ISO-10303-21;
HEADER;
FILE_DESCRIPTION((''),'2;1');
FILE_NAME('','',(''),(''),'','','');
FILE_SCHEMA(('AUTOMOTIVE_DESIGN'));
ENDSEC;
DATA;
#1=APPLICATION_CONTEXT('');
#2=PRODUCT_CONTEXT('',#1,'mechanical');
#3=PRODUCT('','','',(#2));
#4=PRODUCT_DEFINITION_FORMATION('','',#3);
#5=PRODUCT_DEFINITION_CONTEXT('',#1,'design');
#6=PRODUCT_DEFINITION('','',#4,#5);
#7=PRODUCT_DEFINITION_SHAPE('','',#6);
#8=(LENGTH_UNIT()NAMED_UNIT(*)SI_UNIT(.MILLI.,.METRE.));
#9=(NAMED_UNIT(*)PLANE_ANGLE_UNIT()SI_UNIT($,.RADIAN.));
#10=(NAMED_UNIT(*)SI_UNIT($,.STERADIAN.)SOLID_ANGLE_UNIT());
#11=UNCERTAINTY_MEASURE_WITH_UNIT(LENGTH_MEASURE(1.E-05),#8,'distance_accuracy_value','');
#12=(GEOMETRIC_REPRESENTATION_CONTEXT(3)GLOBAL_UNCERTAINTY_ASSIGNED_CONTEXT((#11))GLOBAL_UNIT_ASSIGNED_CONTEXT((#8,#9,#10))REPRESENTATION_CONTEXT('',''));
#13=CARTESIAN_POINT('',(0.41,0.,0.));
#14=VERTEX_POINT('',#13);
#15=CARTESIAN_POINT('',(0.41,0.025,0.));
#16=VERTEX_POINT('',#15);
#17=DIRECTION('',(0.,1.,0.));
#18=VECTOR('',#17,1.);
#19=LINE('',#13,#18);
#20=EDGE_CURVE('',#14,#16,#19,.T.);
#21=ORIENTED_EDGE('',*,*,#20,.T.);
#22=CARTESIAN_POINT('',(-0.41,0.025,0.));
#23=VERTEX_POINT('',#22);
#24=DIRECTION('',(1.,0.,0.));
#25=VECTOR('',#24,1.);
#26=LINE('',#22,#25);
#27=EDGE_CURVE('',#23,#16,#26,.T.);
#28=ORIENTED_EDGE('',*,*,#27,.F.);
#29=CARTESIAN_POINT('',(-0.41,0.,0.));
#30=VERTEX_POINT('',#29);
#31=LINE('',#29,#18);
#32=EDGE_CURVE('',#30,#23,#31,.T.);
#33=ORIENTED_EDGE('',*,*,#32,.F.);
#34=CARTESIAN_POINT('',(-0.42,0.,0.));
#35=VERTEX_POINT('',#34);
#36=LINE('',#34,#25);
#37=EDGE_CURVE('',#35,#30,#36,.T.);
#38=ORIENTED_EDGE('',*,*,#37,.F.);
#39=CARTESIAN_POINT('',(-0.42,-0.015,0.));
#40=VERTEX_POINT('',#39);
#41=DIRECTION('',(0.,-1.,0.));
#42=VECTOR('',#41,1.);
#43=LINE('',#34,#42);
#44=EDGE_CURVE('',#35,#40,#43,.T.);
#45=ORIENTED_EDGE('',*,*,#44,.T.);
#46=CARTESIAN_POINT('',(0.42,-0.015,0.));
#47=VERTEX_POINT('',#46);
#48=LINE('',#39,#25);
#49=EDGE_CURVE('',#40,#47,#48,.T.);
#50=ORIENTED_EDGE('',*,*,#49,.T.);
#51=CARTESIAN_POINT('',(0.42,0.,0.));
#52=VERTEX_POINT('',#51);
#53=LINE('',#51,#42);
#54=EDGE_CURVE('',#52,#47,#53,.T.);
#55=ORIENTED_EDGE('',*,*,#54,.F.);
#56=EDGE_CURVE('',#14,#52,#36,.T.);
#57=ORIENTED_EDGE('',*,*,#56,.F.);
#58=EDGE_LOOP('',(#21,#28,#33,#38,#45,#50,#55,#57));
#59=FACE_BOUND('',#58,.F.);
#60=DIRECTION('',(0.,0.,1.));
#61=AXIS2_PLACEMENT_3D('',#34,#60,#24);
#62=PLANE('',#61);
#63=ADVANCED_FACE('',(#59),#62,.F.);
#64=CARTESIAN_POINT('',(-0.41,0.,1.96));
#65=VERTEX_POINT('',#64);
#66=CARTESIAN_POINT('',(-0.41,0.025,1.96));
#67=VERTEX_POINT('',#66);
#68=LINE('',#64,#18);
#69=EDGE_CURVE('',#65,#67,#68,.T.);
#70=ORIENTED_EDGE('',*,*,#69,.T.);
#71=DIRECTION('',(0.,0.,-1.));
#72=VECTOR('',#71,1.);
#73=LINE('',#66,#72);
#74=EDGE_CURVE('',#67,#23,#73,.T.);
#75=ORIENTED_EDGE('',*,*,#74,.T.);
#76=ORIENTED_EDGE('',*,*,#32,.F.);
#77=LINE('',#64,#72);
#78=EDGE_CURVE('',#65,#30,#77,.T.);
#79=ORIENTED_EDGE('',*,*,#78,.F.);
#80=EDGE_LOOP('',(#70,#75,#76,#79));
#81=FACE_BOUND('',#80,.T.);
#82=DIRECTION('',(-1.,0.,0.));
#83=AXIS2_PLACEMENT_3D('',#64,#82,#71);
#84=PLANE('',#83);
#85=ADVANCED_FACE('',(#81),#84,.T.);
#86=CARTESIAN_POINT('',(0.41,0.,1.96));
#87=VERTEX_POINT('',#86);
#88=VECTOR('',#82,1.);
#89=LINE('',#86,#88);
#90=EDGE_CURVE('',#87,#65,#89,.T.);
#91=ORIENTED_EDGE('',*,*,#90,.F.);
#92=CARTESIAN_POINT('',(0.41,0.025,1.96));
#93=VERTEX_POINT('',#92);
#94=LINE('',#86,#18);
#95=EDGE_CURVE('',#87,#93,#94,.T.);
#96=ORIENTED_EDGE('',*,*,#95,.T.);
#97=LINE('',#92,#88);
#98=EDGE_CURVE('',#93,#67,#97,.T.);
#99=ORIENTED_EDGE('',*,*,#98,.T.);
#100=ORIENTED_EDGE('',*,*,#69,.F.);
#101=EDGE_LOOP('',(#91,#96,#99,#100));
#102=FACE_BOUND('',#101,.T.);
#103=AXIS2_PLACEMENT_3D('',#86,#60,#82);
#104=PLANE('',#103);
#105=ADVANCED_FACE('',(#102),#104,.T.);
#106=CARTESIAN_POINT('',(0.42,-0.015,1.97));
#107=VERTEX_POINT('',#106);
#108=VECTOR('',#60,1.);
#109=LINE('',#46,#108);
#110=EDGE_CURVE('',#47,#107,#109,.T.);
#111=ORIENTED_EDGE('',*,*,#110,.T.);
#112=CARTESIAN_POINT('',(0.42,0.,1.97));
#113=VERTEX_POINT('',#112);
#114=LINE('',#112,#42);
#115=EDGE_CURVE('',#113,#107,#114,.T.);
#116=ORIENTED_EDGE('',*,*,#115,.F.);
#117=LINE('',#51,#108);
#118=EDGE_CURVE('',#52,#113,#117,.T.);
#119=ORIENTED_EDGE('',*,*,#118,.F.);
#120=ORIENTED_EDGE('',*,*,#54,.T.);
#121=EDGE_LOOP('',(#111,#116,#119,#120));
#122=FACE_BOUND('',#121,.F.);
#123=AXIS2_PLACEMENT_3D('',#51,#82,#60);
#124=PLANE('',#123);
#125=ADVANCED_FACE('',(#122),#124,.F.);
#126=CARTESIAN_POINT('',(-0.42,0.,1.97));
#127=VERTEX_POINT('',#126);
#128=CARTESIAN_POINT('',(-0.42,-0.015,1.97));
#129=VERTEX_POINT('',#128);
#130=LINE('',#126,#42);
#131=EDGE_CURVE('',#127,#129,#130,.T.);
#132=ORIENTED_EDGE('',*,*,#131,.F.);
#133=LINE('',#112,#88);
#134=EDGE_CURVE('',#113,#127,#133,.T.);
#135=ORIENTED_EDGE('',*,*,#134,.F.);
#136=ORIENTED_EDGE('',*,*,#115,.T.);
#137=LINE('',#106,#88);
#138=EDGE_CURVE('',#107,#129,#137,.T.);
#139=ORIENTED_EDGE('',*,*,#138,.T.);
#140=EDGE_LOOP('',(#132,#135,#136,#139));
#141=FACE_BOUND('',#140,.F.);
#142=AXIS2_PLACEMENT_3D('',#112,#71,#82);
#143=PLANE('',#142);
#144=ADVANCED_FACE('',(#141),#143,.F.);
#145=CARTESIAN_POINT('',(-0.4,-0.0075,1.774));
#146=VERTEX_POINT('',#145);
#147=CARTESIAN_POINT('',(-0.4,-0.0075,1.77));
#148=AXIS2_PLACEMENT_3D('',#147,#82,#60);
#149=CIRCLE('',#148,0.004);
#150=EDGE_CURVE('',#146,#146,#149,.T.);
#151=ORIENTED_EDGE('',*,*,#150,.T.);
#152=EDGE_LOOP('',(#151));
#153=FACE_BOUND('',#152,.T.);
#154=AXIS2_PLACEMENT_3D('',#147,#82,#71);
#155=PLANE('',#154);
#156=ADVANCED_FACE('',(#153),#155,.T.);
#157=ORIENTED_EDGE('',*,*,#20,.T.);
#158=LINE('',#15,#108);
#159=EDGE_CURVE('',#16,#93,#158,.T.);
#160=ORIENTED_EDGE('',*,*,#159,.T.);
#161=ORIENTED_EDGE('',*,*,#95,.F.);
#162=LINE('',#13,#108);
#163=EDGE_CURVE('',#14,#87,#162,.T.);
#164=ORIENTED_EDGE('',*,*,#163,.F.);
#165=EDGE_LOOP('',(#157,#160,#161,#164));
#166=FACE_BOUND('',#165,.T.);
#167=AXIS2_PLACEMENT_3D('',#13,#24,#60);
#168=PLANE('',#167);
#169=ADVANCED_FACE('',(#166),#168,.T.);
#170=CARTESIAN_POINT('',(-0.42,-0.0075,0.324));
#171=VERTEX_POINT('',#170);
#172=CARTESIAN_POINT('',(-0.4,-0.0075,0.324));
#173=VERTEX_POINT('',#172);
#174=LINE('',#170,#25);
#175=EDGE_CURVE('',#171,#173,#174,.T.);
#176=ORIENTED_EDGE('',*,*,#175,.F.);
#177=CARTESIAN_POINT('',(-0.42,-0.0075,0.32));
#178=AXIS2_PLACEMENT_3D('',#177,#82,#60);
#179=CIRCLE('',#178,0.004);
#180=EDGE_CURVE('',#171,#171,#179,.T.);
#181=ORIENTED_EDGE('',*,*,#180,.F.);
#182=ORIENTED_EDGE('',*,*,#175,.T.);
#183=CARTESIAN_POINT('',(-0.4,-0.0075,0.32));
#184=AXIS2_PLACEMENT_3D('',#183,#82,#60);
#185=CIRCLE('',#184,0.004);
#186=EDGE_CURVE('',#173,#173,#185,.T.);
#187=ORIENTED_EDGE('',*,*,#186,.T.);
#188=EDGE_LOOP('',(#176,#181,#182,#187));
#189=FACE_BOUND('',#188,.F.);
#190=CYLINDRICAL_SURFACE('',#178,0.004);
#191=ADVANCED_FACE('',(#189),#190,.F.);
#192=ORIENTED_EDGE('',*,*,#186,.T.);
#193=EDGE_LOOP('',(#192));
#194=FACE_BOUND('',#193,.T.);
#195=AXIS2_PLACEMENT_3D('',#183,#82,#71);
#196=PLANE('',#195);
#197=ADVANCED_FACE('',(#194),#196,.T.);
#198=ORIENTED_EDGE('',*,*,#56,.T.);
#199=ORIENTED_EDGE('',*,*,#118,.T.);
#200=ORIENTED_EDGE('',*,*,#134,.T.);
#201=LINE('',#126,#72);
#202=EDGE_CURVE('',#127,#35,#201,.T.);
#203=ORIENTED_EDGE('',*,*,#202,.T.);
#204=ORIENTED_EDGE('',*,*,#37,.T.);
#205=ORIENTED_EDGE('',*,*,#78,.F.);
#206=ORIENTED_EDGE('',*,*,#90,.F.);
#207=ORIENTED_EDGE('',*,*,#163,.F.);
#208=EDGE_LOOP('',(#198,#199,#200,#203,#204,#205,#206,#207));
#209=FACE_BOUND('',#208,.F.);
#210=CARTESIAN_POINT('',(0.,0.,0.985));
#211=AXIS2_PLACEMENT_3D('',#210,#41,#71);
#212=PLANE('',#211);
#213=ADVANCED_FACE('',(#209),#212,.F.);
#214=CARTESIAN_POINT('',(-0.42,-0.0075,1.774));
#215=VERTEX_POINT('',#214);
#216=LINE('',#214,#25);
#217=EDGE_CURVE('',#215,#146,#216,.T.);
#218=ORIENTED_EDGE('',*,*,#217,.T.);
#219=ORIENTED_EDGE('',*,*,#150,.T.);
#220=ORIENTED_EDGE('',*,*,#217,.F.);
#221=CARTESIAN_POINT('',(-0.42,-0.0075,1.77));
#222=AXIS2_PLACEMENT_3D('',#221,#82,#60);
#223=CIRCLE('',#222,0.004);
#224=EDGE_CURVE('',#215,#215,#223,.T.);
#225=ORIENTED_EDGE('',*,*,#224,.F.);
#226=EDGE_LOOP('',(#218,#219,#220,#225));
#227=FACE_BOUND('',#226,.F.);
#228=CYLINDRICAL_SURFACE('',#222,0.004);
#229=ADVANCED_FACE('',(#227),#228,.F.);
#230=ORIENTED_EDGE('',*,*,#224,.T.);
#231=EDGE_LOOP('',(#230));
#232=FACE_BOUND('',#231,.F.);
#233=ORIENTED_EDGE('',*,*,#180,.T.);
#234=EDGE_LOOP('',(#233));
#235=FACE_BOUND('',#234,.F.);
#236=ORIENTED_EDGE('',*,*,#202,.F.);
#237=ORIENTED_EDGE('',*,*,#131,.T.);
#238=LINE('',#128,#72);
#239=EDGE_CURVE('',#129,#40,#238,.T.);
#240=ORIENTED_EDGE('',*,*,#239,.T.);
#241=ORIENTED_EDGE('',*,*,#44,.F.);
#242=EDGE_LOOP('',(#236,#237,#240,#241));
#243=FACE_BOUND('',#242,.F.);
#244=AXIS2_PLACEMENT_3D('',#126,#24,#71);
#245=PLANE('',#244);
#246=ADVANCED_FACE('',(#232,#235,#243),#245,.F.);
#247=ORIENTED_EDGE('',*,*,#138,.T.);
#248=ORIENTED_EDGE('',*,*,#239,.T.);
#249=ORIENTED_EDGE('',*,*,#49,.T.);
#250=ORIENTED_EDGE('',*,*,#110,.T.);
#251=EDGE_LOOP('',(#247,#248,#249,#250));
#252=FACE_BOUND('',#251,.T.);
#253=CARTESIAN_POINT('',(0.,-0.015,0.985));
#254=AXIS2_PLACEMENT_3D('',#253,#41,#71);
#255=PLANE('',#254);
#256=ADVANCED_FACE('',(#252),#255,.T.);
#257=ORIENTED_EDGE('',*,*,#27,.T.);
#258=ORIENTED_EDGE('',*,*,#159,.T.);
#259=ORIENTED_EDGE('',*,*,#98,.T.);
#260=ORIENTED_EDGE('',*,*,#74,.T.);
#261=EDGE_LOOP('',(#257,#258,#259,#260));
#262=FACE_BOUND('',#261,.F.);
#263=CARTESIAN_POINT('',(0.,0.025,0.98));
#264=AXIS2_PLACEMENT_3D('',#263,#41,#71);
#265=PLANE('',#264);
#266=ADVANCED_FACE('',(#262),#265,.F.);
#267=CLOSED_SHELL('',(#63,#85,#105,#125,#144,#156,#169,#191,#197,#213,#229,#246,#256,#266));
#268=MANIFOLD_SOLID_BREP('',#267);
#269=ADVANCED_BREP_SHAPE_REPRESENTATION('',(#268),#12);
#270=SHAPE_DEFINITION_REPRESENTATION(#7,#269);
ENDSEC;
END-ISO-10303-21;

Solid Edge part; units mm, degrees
sketch "Sketch1" plane through (0, 0, 0) normal (0, -1, 0) x (1, 0, 0)
  line L0 (-0.41, 0) -> (0.41, 0)
  line L1 (0.41, 0) -> (0.41, 1.96)
  line L2 (0.41, 1.96) -> (-0.41, 1.96)
  line L3 (-0.41, 1.96) -> (-0.41, 0)
  dimension "D1" = 1.96
  dimension "D2" = 0.82
extrude "Protrusion1" add sketch "Sketch1" against normal blind 0.025
sketch "Sketch2" plane through (0, 0, 0.98) normal (0, -1, 0) x (1, 0, 0)
  line L0 (-0.42, -0.98) -> (0.42, -0.98)
  line L1 (0.42, -0.98) -> (0.42, 0.99)
  line L2 (0.42, 0.99) -> (-0.42, 0.99)
  line L3 (-0.42, 0.99) -> (-0.42, -0.98)
extrude "Ausprägung_2" add sketch "Sketch2" along normal blind 0.015
sketch "Sketch3" plane through (-0.42, -0.0075, 0.985) normal (-1, 0, 0) x (0, 0, 1)
  circle A0 centre (0.785, 0) radius 0.004
  circle A1 centre (-0.665, 0) radius 0.004
  dimension "D1" = 0.008
  dimension "D2" = 0.32
  dimension "D3" = 0.0075
  dimension "D4" = 1.45
extrude "Ausschnitt_1" cut sketch "Sketch3" against normal blind 0.02
extrude "Cutout1" [suppressed]
extrude "Ausprägung_3" [suppressed]
